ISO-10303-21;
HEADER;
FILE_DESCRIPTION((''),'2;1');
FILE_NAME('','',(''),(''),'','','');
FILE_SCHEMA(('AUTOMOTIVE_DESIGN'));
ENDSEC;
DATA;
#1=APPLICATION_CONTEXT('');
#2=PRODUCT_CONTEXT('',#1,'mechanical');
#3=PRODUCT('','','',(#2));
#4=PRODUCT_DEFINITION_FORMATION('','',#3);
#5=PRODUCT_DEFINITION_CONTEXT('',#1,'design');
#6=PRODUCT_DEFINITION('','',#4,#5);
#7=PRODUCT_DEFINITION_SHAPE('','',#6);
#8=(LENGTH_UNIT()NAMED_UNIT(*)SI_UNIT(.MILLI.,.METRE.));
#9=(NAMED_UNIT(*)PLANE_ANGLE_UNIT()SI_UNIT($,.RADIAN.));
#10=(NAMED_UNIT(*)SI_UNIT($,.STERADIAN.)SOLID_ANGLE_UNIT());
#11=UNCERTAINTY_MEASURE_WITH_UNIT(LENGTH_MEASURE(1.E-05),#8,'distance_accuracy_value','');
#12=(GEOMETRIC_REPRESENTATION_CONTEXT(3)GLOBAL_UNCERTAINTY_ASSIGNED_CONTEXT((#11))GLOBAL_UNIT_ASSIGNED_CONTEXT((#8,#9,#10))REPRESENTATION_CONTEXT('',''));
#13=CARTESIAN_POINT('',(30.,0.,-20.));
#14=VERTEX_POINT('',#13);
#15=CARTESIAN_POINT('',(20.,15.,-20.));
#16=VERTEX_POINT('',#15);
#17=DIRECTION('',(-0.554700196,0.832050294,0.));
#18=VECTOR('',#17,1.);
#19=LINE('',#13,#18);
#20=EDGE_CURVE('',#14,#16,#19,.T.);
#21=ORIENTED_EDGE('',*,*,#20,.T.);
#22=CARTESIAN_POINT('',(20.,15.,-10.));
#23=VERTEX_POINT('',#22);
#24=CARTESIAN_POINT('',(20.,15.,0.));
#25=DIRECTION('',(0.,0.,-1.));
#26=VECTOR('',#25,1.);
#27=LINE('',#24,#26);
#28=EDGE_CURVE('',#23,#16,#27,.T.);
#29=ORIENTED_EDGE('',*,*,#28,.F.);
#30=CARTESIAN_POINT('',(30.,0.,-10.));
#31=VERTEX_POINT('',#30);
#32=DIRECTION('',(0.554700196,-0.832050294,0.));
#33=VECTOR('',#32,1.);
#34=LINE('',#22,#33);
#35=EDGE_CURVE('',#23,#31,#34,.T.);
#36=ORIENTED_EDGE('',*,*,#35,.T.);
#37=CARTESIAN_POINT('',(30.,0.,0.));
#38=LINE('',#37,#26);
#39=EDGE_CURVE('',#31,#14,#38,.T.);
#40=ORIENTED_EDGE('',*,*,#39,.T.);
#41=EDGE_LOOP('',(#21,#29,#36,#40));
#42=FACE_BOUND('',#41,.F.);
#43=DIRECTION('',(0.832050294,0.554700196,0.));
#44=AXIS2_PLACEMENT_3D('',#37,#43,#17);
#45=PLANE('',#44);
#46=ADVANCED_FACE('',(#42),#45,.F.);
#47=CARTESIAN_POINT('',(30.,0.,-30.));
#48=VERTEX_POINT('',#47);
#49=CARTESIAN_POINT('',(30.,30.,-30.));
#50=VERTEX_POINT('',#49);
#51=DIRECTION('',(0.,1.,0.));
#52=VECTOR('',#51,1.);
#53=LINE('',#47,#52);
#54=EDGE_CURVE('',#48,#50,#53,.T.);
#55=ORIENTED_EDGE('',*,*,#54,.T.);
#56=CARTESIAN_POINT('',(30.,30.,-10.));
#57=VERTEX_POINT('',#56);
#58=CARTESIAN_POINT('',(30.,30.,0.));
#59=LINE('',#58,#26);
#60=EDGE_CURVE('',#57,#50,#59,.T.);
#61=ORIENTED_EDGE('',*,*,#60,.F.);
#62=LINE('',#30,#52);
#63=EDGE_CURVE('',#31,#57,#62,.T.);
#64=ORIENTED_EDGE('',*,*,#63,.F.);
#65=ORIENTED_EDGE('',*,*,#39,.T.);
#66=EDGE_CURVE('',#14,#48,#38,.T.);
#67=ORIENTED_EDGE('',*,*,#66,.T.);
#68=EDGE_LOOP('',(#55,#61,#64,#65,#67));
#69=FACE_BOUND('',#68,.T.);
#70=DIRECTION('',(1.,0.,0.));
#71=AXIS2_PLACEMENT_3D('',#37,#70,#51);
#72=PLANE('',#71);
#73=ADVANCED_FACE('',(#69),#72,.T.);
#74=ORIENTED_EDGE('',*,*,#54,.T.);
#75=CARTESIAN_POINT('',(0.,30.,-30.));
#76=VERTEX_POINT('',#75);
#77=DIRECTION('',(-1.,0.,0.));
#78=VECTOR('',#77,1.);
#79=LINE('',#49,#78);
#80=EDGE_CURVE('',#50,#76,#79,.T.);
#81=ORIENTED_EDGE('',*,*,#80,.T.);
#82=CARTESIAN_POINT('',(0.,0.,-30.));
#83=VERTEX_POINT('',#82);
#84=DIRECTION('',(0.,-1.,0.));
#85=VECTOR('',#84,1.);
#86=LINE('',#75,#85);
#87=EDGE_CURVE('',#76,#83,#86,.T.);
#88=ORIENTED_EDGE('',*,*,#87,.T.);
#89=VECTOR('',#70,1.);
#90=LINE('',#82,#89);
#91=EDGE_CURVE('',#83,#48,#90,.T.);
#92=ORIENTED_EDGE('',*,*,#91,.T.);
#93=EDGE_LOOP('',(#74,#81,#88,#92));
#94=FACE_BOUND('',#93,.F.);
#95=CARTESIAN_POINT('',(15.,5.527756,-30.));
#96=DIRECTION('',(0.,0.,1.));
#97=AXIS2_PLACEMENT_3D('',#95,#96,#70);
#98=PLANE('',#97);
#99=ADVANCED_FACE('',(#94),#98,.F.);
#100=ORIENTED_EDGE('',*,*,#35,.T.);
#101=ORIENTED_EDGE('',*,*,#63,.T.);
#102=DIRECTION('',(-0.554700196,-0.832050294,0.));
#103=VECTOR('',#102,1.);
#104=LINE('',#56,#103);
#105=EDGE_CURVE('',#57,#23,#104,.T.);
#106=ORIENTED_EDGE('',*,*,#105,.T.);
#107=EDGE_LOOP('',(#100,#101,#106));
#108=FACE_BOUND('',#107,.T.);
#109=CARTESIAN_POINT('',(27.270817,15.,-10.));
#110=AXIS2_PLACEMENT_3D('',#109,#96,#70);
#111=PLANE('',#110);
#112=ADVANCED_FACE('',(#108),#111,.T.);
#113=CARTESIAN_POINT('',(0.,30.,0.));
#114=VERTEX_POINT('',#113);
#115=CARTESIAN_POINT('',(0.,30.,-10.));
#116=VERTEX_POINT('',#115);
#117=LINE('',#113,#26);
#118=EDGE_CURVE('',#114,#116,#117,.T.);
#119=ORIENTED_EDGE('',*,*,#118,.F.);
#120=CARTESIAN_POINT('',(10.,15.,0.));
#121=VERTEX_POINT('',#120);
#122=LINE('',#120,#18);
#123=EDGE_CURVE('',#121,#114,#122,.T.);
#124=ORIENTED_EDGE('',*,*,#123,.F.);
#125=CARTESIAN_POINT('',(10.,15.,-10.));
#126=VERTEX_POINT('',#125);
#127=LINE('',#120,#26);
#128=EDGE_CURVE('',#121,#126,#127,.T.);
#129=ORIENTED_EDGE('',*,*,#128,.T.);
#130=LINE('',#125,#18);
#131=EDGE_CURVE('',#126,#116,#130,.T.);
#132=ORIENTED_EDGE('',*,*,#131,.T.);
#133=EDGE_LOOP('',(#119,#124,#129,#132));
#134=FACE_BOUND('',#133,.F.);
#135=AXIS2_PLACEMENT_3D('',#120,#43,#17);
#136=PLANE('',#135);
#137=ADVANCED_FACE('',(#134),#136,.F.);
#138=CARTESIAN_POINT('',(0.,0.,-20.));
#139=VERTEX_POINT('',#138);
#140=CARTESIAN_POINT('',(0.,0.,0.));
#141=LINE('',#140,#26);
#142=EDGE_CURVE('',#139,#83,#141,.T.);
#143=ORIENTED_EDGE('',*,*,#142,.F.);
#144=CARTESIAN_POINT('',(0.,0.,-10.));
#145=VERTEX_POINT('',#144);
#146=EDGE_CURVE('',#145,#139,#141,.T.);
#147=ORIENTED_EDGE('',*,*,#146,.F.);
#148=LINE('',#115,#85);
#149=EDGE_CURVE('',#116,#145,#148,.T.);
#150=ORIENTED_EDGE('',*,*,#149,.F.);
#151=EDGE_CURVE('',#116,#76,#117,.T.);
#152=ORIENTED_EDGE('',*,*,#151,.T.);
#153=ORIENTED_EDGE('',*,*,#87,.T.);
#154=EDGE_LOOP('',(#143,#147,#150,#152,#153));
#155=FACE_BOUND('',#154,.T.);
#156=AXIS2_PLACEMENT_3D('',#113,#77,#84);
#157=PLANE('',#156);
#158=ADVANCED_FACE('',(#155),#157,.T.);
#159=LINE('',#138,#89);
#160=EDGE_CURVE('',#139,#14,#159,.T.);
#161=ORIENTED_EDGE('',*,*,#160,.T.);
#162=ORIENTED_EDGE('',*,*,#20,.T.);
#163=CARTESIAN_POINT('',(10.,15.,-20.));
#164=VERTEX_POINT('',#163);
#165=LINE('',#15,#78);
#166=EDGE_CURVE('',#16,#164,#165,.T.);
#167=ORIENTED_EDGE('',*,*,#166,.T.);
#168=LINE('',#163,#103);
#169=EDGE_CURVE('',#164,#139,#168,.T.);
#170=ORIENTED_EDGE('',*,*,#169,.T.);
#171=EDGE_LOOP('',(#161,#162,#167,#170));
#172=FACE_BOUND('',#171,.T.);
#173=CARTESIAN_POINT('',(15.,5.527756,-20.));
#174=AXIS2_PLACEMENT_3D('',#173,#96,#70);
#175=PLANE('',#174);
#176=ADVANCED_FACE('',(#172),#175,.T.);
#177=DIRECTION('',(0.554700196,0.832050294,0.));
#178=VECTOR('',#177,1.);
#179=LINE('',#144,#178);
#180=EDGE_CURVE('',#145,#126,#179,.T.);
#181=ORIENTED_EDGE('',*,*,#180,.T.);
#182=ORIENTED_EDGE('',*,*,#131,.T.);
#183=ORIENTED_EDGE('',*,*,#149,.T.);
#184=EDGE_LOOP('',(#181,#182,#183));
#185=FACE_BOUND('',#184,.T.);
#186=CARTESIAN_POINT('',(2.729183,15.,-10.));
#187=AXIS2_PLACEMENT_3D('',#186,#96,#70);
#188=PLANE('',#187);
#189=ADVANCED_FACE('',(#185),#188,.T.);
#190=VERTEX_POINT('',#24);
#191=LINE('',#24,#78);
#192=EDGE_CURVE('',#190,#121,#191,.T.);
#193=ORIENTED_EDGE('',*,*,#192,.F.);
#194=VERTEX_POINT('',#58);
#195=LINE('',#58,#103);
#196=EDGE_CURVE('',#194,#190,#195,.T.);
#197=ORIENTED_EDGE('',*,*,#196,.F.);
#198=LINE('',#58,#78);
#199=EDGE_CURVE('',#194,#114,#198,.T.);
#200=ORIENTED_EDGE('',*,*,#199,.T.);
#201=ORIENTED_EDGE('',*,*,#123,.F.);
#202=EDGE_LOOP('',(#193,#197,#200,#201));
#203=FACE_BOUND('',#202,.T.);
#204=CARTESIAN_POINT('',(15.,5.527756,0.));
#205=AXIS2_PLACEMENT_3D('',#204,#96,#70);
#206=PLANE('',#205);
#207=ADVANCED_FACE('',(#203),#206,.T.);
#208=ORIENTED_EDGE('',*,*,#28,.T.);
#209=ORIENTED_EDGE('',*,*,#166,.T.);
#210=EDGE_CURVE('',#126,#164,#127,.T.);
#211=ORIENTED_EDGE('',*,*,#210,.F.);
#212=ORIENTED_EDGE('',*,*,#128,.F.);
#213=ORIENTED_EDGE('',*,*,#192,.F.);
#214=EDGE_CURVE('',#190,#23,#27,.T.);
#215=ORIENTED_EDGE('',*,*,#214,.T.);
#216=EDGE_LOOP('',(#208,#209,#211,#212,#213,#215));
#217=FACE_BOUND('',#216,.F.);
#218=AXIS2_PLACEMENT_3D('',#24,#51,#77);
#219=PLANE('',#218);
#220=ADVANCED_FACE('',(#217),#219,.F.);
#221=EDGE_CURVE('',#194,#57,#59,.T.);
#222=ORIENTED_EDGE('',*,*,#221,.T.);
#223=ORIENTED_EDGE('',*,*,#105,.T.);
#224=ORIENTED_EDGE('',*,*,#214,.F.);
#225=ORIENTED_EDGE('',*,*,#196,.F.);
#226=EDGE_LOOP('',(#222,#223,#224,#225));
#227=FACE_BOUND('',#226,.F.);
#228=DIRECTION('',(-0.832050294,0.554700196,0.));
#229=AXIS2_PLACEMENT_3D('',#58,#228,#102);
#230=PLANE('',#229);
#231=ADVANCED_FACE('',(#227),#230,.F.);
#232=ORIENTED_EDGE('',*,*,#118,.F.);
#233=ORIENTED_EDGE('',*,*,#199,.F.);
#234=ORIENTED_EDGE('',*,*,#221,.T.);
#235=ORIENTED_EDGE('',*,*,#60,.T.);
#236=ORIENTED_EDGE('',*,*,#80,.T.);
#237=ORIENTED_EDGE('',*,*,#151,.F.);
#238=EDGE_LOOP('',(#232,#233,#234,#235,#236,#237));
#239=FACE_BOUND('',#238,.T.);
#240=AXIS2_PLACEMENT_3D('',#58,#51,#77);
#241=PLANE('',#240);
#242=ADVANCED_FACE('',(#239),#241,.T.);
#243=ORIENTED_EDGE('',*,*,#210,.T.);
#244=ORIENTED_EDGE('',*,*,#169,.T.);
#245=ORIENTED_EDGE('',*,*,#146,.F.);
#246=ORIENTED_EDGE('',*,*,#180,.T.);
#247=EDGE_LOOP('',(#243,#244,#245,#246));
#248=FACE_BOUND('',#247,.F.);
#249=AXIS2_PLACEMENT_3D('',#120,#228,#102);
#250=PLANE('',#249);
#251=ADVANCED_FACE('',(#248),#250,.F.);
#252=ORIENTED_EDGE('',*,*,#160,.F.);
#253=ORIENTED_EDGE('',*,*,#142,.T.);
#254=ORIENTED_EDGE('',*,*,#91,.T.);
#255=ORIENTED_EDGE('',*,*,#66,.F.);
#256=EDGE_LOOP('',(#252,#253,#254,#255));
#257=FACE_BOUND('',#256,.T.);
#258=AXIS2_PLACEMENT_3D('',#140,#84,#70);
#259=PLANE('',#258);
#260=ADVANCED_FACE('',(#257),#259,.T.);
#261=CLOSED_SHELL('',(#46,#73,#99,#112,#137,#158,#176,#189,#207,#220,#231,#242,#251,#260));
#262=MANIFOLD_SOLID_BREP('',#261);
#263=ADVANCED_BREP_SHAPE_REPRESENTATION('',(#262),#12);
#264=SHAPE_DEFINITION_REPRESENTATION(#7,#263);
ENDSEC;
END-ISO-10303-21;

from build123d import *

# Parameters (mm, degrees)
F1_DEPTH = 30
F2_DEPTH = 20
F3_DEPTH = 10


with BuildPart() as f1:
    # F0 (on Top) → F1 (new body)
    with BuildSketch(Plane.XY):
        Polygon((10, 15), (0, 0), (30, 0), (20, 15), align=None)
        Polygon((0, 30), (0, 0), (10, 15), align=None)
        Polygon((20, 15), (30, 0), (30, 30), align=None)
        Polygon((30, 30), (0, 30), (10, 15), (20, 15), align=None)
    extrude(amount=-F1_DEPTH)

    # F0 (on Top) → F2 (cut)
    with BuildSketch(Plane.XY):
        Polygon((10, 15), (0, 0), (30, 0), (20, 15), align=None)
    extrude(amount=-F2_DEPTH, mode=Mode.SUBTRACT)

    # F0 (on Top) → F3 (cut)
    with BuildSketch(Plane.XY):
        Polygon((0, 30), (0, 0), (10, 15), align=None)
        Polygon((20, 15), (30, 0), (30, 30), align=None)
    extrude(amount=-F3_DEPTH, mode=Mode.SUBTRACT)


solid = f1.part
